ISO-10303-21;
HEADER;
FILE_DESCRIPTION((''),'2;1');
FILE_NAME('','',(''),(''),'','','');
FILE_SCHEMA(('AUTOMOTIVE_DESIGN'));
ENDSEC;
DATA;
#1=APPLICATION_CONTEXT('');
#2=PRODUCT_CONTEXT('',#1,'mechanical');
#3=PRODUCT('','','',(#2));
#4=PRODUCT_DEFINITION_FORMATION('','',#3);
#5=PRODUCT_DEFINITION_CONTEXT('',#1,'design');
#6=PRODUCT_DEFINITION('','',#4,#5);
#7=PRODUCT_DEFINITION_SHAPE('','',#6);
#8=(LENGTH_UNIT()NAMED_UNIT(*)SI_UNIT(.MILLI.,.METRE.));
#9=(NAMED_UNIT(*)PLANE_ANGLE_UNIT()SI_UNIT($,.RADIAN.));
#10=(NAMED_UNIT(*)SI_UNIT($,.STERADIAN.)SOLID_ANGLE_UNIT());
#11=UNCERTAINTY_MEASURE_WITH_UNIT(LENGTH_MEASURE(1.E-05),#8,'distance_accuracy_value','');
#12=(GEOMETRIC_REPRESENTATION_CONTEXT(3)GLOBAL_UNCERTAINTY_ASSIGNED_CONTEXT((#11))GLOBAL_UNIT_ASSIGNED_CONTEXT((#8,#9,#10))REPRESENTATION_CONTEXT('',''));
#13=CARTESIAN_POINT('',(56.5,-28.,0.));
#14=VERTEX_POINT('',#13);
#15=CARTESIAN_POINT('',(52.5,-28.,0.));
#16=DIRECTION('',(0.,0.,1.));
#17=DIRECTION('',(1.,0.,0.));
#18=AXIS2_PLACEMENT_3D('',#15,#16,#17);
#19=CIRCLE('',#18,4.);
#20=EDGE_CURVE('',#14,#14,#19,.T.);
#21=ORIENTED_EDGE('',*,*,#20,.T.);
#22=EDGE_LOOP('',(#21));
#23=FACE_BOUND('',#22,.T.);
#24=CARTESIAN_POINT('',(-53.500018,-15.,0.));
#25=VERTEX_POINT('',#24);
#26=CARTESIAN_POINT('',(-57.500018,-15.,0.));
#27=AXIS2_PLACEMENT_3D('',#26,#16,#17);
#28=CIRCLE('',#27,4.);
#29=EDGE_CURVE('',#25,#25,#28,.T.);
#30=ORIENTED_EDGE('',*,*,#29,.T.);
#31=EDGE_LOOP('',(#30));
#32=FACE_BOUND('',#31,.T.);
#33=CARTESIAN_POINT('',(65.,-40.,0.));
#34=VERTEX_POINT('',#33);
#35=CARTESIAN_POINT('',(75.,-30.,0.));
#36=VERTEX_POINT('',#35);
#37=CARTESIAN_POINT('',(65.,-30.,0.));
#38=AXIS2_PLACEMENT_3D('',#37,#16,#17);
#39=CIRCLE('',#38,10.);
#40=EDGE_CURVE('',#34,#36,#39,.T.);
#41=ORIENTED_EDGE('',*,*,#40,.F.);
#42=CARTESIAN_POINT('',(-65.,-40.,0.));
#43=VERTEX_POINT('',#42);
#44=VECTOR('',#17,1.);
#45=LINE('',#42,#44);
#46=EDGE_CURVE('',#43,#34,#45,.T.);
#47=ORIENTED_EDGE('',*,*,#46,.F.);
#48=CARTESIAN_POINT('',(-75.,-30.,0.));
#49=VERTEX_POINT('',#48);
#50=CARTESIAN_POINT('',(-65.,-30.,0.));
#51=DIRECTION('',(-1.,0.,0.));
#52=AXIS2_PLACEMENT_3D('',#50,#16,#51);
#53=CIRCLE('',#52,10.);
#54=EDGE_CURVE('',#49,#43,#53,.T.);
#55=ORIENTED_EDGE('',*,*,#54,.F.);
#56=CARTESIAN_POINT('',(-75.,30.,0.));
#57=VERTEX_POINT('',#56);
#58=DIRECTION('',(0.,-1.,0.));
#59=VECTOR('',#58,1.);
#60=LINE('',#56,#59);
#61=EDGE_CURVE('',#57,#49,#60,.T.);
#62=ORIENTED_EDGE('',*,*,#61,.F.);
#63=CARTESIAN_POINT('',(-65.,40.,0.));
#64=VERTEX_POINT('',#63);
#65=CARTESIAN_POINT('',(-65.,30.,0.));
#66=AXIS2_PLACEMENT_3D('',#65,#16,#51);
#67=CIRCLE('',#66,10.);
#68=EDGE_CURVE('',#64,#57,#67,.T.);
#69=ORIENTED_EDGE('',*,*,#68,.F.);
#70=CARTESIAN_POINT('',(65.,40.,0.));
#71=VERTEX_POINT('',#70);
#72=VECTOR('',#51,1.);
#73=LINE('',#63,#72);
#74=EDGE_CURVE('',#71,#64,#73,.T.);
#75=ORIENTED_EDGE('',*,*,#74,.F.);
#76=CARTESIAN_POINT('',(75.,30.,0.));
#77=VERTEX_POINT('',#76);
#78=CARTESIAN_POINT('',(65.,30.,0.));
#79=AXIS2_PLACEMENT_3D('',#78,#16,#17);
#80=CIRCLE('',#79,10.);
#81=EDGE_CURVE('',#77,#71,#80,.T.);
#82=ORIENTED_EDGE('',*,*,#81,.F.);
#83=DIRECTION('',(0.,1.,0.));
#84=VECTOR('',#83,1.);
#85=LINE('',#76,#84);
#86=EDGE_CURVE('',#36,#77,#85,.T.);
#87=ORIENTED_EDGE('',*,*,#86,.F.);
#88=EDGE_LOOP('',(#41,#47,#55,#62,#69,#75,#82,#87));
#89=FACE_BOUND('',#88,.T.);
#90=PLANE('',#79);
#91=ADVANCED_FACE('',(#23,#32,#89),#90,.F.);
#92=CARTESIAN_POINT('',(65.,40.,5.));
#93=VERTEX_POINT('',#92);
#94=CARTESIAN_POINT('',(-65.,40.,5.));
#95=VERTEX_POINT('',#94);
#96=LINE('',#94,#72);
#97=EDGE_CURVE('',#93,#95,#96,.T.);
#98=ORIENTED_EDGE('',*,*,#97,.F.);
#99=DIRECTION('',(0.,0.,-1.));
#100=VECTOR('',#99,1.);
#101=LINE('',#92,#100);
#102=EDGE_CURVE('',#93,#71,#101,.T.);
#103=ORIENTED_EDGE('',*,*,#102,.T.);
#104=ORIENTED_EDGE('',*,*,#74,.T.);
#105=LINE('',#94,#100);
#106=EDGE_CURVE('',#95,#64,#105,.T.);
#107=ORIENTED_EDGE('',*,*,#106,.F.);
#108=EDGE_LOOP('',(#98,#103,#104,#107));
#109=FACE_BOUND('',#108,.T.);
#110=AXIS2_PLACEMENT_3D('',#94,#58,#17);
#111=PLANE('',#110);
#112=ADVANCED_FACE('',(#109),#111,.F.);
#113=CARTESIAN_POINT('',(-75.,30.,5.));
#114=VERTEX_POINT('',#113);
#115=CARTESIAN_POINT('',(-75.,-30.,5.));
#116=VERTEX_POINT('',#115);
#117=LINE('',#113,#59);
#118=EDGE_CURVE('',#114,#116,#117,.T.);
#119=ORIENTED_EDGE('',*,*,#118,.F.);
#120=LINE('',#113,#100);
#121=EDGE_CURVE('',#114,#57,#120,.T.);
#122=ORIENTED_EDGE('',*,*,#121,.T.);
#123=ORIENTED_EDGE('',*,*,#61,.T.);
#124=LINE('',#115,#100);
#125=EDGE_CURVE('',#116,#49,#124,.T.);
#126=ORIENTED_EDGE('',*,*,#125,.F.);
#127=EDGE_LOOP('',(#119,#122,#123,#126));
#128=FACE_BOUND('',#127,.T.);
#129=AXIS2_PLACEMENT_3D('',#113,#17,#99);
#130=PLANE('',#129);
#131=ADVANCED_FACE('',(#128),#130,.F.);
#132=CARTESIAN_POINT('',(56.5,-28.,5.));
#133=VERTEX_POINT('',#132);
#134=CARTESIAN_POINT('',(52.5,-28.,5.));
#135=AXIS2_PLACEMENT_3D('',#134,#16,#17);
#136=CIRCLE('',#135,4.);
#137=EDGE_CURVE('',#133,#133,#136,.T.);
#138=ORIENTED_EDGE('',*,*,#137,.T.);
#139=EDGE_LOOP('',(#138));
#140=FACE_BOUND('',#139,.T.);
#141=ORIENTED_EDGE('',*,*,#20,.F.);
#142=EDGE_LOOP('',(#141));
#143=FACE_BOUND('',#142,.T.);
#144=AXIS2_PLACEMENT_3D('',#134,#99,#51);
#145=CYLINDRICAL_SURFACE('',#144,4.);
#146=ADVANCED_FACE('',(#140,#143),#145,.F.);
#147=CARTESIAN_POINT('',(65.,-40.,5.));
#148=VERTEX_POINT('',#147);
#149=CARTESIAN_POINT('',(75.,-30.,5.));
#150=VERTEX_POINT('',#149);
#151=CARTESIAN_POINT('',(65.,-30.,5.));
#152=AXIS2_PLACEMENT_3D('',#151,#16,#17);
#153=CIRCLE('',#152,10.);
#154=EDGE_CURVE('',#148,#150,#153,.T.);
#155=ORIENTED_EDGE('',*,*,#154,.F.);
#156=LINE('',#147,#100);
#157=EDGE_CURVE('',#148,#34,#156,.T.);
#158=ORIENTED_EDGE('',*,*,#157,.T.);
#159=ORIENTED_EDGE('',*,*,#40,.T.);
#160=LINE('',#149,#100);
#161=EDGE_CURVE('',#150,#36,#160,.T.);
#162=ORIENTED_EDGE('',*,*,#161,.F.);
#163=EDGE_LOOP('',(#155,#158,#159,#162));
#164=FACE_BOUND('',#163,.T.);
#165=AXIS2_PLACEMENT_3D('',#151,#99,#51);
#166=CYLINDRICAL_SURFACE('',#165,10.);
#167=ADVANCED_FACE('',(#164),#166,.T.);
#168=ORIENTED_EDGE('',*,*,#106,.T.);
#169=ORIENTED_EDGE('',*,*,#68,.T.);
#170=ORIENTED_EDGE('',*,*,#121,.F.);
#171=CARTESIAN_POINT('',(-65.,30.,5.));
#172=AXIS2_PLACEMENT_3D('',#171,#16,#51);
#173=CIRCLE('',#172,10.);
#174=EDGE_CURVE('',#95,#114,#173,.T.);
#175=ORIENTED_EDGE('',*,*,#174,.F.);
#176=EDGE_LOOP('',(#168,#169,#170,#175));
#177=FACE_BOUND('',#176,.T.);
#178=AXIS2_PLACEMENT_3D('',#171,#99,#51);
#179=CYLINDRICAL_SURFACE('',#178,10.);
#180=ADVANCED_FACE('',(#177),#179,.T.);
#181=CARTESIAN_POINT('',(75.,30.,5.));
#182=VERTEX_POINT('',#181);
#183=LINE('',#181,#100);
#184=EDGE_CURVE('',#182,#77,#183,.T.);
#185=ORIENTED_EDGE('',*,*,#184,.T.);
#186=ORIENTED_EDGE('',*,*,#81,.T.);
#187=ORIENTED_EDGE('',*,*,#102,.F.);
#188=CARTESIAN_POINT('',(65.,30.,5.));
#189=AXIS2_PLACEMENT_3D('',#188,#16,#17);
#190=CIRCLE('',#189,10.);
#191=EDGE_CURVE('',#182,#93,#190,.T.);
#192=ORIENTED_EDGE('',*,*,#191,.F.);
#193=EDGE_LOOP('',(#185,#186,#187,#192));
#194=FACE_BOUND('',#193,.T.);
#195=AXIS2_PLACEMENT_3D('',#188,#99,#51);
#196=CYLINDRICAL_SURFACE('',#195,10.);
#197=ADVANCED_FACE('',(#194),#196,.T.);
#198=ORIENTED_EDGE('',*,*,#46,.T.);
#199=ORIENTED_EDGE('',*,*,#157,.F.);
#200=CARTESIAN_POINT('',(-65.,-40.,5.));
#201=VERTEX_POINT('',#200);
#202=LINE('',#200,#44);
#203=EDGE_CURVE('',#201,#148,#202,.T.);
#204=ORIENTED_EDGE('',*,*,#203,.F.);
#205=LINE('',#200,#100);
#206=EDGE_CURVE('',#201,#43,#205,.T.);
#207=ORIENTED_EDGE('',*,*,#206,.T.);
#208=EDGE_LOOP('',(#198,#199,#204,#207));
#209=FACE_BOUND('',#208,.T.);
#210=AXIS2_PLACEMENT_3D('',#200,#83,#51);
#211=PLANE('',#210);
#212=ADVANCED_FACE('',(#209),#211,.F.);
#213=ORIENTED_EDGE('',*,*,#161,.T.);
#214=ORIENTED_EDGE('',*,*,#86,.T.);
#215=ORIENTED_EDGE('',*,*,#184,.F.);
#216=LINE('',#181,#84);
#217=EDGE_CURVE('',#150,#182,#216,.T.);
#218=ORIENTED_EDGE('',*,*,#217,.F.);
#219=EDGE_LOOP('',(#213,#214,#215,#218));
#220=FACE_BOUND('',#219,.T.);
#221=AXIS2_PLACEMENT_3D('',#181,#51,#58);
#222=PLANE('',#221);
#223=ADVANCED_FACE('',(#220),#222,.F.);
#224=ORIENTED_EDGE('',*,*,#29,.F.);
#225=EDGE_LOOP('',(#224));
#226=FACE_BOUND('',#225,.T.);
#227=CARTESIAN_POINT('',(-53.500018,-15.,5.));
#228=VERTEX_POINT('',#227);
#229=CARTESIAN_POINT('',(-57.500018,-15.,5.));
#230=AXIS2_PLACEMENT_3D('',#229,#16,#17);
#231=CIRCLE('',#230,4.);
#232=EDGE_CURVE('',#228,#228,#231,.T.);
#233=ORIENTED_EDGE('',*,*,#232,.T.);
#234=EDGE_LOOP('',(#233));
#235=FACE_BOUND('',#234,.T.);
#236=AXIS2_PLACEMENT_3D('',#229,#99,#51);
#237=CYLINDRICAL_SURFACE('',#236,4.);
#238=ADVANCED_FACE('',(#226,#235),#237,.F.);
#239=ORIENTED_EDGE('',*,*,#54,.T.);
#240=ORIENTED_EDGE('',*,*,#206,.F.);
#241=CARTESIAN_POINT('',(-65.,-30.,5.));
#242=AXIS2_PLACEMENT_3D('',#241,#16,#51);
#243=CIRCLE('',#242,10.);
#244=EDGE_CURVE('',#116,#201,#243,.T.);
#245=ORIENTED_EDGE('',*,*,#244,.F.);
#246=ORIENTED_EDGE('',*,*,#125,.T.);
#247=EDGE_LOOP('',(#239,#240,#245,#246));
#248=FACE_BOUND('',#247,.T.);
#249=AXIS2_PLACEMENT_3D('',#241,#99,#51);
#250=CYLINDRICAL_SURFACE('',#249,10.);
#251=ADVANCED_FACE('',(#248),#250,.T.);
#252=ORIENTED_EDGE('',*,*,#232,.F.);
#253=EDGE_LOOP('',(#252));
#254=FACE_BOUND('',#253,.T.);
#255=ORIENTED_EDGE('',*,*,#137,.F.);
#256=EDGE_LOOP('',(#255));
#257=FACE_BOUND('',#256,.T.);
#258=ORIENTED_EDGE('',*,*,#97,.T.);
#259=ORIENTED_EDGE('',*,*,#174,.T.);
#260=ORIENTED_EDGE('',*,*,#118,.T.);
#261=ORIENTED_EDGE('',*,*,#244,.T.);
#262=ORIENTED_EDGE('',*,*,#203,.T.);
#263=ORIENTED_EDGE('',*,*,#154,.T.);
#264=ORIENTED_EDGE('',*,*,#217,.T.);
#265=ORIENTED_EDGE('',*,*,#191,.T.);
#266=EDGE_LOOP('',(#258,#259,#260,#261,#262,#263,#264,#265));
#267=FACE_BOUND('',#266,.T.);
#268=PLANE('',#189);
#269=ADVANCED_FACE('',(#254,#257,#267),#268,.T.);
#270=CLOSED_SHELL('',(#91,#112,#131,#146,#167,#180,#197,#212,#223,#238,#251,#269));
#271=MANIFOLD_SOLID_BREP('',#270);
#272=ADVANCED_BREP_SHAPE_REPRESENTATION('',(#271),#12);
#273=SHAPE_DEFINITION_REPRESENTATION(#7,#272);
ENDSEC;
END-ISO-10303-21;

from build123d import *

# Parameters (mm, degrees)
SKETCH1_R           = 4
BOSS_EXTRUDE1_DEPTH = 5


with BuildPart() as part:
    # Sketch1 → Boss-Extrude1 (new body)
    with BuildSketch(Plane.XY):
        with BuildLine():
            Line((-65, 40), (65, 40))
            ThreePointArc((65, 40), (72.071067812, 37.071067812), (75, 30))
            Line((75, 30), (75, -30))
            ThreePointArc((75, -30), (72.071067812, -37.071067812), (65, -40))
            Line((65, -40), (-65, -40))
            ThreePointArc((-65, -40), (-72.071067812, -37.071067812), (-75, -30))
            Line((-75, -30), (-75, 30))
            ThreePointArc((-75, 30), (-72.071067812, 37.071067812), (-65, 40))
        make_face()
        with Locations((52.5, -28)):
            Circle(SKETCH1_R, mode=Mode.SUBTRACT)
        with Locations((-57.500017929, -15)):
            Circle(SKETCH1_R, mode=Mode.SUBTRACT)
    extrude(amount=BOSS_EXTRUDE1_DEPTH)


solid = part.part
